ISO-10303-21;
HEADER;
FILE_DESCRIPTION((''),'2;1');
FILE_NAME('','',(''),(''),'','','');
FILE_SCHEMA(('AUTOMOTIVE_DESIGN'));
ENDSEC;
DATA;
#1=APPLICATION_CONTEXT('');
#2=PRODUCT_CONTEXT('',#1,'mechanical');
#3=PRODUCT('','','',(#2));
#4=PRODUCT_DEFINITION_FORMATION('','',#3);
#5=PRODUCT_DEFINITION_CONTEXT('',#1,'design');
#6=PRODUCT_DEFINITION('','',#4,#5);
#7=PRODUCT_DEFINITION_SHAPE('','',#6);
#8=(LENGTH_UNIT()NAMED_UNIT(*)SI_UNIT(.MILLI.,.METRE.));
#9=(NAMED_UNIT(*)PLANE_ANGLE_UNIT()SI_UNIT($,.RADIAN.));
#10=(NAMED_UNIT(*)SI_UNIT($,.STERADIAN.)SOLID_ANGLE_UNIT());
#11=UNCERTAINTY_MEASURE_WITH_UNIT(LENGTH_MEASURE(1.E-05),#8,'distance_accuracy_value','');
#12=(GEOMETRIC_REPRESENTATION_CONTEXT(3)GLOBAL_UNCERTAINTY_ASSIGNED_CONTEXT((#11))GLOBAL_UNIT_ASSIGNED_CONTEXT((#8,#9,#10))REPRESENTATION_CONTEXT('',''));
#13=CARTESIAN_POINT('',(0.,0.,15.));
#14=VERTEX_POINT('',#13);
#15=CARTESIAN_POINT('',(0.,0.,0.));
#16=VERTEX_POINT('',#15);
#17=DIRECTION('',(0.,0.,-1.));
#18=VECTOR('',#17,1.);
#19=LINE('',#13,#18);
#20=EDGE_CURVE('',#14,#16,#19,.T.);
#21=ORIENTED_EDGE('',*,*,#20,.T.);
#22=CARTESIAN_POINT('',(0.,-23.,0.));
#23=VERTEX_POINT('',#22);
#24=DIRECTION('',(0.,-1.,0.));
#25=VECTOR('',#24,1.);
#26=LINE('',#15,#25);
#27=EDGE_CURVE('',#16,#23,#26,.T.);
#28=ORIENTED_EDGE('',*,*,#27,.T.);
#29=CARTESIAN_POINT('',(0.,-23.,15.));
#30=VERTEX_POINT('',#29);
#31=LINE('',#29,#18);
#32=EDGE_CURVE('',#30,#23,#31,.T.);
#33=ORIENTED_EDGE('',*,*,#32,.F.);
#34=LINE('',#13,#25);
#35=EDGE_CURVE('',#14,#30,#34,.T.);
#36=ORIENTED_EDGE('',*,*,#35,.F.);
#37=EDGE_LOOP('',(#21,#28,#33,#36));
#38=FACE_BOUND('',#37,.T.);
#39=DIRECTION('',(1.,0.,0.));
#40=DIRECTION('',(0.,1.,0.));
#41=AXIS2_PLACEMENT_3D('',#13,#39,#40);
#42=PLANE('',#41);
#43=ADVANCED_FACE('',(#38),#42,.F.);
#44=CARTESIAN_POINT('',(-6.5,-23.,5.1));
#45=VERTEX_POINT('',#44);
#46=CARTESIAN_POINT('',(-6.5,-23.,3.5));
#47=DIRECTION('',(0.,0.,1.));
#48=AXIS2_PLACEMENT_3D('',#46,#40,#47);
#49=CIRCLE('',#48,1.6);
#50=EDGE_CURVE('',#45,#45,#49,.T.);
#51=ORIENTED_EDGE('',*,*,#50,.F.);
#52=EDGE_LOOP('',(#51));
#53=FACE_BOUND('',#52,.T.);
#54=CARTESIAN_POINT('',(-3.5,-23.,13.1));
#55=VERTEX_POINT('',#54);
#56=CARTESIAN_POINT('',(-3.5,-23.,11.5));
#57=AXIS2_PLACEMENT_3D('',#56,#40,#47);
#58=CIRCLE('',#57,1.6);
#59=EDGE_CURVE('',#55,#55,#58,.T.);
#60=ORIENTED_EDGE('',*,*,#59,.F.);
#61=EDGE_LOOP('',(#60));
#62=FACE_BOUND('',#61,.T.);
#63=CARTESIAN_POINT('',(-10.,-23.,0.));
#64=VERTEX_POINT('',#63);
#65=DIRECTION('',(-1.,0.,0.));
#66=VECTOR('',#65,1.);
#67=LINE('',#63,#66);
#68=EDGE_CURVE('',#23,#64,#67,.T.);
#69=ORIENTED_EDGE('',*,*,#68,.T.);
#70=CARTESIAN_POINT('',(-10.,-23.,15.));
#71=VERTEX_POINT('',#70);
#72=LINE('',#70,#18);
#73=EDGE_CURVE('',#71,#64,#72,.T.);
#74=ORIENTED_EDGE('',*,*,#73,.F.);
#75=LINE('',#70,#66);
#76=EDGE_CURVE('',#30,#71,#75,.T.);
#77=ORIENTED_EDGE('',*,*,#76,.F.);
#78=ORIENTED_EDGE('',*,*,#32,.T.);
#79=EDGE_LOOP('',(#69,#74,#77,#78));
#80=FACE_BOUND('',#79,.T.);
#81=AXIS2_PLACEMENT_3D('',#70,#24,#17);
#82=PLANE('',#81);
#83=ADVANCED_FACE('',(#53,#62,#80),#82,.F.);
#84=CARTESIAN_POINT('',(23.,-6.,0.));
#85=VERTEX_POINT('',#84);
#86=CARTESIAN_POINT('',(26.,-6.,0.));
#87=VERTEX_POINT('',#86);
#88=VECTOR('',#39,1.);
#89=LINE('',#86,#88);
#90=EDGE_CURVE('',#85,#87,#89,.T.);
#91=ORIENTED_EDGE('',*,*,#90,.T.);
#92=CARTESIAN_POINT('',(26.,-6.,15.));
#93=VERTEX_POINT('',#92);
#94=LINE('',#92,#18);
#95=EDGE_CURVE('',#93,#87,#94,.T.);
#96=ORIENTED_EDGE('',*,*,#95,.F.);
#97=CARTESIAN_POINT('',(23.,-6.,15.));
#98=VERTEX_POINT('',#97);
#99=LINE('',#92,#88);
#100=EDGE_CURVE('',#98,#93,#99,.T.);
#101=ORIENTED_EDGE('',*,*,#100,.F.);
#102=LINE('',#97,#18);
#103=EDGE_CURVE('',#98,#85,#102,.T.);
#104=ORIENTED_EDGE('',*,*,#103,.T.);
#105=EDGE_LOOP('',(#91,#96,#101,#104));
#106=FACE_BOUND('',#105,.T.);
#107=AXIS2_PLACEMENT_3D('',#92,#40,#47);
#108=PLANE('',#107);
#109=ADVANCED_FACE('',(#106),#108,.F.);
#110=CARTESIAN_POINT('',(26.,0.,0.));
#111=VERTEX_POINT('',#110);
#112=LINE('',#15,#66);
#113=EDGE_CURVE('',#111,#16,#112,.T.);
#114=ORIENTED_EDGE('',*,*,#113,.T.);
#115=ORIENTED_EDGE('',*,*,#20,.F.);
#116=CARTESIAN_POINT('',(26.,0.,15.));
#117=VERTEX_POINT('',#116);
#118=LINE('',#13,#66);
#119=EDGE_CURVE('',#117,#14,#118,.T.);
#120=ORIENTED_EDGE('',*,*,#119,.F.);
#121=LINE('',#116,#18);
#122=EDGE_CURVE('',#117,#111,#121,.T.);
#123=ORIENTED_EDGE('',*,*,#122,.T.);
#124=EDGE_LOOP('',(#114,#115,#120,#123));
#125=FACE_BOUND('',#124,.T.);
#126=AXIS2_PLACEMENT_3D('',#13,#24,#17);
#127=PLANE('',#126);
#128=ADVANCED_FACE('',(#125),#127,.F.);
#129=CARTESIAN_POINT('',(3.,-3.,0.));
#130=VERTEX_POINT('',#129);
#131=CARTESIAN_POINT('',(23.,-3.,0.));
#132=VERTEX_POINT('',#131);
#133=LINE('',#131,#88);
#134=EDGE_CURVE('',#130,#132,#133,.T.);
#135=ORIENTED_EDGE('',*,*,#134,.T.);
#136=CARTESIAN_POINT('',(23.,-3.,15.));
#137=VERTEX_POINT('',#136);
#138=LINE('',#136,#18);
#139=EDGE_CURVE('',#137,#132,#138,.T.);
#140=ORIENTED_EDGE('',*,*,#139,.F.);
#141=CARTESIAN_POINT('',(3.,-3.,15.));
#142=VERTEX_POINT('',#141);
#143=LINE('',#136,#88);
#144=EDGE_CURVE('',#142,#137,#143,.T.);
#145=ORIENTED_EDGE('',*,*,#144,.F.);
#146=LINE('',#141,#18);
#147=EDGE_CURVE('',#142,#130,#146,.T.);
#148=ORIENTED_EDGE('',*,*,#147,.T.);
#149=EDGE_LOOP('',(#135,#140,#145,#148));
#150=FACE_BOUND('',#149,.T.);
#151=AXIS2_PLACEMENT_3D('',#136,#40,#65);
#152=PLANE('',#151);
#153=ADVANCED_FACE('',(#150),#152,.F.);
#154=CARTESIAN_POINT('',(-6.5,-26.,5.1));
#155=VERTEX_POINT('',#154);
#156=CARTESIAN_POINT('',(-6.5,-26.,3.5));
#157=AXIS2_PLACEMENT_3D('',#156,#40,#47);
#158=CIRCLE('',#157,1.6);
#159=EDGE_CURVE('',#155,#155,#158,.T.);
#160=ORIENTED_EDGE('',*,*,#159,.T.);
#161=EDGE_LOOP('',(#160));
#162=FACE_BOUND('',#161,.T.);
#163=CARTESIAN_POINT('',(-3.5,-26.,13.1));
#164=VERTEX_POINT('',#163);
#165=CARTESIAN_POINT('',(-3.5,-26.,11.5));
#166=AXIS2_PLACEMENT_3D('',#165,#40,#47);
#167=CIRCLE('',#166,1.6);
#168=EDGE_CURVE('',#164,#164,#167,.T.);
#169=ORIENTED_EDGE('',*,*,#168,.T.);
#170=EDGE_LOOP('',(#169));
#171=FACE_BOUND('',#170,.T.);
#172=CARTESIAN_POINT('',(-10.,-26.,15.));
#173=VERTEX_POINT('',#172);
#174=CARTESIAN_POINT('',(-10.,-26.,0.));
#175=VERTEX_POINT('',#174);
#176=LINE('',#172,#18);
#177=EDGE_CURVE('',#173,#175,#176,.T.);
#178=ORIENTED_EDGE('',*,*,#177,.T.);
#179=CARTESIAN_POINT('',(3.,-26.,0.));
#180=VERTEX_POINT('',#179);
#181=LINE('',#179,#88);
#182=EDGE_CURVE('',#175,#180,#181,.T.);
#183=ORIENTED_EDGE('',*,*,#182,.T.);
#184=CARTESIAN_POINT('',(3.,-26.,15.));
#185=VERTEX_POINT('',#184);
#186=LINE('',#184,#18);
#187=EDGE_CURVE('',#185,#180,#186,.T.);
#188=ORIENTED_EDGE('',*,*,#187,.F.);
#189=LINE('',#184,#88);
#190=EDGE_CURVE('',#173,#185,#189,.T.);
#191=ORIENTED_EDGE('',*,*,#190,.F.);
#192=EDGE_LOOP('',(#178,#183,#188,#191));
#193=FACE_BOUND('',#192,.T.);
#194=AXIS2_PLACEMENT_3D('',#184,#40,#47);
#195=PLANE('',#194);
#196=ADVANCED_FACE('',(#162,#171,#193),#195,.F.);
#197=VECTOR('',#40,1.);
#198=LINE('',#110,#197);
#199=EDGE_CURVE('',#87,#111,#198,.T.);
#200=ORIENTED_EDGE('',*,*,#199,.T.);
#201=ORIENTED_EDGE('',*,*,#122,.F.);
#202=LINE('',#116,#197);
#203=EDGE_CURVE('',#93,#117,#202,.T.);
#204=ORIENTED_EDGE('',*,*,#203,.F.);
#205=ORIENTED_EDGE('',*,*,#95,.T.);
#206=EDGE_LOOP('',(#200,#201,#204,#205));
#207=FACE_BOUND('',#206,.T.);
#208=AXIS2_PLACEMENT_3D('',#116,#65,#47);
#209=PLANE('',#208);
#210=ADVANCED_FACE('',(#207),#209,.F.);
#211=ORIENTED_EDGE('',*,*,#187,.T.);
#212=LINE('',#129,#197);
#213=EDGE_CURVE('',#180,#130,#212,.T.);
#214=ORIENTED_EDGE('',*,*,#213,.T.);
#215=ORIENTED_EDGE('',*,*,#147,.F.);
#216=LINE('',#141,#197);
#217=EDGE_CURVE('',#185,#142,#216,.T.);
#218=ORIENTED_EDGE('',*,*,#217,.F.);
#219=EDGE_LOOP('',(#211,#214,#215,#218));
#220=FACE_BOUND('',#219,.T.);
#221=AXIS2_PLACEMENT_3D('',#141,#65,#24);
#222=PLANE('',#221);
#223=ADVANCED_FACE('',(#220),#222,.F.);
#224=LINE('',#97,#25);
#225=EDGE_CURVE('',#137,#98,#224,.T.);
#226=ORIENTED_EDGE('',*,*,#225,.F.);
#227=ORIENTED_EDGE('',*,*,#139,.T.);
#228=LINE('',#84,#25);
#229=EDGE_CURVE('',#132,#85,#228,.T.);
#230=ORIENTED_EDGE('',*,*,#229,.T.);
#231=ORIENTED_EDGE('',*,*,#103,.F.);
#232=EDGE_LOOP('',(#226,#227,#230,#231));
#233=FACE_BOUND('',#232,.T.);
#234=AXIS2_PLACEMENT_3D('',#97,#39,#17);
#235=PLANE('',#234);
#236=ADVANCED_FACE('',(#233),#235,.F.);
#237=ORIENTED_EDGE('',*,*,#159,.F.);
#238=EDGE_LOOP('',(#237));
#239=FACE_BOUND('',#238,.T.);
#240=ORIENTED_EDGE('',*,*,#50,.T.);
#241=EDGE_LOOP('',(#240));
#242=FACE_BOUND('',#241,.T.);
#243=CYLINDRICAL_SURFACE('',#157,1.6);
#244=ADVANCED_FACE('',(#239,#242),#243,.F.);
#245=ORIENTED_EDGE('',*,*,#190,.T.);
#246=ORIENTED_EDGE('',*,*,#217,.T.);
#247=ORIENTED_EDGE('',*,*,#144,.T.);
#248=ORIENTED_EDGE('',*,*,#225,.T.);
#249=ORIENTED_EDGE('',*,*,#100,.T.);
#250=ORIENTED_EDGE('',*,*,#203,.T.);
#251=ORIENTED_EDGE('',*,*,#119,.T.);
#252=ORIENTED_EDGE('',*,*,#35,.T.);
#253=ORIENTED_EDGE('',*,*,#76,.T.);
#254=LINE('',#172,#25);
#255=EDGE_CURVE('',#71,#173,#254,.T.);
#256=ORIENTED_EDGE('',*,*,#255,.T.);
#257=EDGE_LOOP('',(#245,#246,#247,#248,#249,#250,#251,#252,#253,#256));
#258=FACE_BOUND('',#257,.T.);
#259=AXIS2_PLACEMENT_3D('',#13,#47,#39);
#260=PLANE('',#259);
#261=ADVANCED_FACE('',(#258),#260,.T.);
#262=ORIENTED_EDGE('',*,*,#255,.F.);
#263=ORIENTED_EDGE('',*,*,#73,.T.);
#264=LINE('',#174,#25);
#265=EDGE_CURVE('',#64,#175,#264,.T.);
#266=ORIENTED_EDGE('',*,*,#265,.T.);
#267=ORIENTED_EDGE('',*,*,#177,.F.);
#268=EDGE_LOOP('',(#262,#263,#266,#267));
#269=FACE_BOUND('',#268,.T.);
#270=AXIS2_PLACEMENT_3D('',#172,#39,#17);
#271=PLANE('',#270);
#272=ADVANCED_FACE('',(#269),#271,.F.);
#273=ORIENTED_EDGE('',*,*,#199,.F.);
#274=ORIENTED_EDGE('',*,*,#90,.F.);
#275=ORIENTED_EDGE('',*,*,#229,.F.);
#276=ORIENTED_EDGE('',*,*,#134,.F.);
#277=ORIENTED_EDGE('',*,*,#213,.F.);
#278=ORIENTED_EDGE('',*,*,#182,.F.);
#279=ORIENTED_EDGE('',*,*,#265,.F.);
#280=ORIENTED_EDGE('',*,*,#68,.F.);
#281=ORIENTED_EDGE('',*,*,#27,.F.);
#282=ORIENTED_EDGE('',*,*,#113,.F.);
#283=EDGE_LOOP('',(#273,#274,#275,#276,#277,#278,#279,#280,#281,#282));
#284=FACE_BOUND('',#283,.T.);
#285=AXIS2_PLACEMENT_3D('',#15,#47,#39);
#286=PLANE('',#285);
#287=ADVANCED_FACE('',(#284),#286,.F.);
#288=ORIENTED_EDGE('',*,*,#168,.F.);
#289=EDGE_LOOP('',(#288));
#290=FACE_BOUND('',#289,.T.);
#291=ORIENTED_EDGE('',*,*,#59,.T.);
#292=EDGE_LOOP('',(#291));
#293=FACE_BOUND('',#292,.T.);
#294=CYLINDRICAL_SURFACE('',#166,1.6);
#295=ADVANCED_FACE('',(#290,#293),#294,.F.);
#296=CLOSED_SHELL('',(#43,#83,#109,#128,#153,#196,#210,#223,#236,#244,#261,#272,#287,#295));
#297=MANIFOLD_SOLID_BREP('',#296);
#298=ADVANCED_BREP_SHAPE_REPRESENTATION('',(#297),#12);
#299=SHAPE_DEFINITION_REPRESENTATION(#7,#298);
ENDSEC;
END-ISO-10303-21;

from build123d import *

# Parameters (mm, degrees)
EXTRUDE_1_DEPTH     = 15
SKETCH_2_R          = 1.6
CUT_EXTRUDE_1_DEPTH = 3


with BuildPart() as part:
    # 草圖1 → 填料-伸長1 (new body)
    with BuildSketch(Plane.XY):
        Polygon((0, 0), (26, 0), (26, -6), (23, -6), (23, -3), (3, -3), (3, -26), (-10, -26), (-10, -23), (0, -23), align=None)
    extrude(amount=EXTRUDE_1_DEPTH)

    # 草圖2 → 除料-伸長1 (cut)
    with BuildSketch(Plane(origin=(0, -23, 0), x_dir=(1, 0, 0), z_dir=(0, 1, 0))):
        with Locations(Location((-6.5, -3.5, 0), (0, 0, 270))):
            Circle(SKETCH_2_R)
        with Locations(Location((-3.5, -11.5, 0), (0, 0, 270))):
            Circle(SKETCH_2_R)
    extrude(amount=-CUT_EXTRUDE_1_DEPTH, mode=Mode.SUBTRACT)


solid = part.part
